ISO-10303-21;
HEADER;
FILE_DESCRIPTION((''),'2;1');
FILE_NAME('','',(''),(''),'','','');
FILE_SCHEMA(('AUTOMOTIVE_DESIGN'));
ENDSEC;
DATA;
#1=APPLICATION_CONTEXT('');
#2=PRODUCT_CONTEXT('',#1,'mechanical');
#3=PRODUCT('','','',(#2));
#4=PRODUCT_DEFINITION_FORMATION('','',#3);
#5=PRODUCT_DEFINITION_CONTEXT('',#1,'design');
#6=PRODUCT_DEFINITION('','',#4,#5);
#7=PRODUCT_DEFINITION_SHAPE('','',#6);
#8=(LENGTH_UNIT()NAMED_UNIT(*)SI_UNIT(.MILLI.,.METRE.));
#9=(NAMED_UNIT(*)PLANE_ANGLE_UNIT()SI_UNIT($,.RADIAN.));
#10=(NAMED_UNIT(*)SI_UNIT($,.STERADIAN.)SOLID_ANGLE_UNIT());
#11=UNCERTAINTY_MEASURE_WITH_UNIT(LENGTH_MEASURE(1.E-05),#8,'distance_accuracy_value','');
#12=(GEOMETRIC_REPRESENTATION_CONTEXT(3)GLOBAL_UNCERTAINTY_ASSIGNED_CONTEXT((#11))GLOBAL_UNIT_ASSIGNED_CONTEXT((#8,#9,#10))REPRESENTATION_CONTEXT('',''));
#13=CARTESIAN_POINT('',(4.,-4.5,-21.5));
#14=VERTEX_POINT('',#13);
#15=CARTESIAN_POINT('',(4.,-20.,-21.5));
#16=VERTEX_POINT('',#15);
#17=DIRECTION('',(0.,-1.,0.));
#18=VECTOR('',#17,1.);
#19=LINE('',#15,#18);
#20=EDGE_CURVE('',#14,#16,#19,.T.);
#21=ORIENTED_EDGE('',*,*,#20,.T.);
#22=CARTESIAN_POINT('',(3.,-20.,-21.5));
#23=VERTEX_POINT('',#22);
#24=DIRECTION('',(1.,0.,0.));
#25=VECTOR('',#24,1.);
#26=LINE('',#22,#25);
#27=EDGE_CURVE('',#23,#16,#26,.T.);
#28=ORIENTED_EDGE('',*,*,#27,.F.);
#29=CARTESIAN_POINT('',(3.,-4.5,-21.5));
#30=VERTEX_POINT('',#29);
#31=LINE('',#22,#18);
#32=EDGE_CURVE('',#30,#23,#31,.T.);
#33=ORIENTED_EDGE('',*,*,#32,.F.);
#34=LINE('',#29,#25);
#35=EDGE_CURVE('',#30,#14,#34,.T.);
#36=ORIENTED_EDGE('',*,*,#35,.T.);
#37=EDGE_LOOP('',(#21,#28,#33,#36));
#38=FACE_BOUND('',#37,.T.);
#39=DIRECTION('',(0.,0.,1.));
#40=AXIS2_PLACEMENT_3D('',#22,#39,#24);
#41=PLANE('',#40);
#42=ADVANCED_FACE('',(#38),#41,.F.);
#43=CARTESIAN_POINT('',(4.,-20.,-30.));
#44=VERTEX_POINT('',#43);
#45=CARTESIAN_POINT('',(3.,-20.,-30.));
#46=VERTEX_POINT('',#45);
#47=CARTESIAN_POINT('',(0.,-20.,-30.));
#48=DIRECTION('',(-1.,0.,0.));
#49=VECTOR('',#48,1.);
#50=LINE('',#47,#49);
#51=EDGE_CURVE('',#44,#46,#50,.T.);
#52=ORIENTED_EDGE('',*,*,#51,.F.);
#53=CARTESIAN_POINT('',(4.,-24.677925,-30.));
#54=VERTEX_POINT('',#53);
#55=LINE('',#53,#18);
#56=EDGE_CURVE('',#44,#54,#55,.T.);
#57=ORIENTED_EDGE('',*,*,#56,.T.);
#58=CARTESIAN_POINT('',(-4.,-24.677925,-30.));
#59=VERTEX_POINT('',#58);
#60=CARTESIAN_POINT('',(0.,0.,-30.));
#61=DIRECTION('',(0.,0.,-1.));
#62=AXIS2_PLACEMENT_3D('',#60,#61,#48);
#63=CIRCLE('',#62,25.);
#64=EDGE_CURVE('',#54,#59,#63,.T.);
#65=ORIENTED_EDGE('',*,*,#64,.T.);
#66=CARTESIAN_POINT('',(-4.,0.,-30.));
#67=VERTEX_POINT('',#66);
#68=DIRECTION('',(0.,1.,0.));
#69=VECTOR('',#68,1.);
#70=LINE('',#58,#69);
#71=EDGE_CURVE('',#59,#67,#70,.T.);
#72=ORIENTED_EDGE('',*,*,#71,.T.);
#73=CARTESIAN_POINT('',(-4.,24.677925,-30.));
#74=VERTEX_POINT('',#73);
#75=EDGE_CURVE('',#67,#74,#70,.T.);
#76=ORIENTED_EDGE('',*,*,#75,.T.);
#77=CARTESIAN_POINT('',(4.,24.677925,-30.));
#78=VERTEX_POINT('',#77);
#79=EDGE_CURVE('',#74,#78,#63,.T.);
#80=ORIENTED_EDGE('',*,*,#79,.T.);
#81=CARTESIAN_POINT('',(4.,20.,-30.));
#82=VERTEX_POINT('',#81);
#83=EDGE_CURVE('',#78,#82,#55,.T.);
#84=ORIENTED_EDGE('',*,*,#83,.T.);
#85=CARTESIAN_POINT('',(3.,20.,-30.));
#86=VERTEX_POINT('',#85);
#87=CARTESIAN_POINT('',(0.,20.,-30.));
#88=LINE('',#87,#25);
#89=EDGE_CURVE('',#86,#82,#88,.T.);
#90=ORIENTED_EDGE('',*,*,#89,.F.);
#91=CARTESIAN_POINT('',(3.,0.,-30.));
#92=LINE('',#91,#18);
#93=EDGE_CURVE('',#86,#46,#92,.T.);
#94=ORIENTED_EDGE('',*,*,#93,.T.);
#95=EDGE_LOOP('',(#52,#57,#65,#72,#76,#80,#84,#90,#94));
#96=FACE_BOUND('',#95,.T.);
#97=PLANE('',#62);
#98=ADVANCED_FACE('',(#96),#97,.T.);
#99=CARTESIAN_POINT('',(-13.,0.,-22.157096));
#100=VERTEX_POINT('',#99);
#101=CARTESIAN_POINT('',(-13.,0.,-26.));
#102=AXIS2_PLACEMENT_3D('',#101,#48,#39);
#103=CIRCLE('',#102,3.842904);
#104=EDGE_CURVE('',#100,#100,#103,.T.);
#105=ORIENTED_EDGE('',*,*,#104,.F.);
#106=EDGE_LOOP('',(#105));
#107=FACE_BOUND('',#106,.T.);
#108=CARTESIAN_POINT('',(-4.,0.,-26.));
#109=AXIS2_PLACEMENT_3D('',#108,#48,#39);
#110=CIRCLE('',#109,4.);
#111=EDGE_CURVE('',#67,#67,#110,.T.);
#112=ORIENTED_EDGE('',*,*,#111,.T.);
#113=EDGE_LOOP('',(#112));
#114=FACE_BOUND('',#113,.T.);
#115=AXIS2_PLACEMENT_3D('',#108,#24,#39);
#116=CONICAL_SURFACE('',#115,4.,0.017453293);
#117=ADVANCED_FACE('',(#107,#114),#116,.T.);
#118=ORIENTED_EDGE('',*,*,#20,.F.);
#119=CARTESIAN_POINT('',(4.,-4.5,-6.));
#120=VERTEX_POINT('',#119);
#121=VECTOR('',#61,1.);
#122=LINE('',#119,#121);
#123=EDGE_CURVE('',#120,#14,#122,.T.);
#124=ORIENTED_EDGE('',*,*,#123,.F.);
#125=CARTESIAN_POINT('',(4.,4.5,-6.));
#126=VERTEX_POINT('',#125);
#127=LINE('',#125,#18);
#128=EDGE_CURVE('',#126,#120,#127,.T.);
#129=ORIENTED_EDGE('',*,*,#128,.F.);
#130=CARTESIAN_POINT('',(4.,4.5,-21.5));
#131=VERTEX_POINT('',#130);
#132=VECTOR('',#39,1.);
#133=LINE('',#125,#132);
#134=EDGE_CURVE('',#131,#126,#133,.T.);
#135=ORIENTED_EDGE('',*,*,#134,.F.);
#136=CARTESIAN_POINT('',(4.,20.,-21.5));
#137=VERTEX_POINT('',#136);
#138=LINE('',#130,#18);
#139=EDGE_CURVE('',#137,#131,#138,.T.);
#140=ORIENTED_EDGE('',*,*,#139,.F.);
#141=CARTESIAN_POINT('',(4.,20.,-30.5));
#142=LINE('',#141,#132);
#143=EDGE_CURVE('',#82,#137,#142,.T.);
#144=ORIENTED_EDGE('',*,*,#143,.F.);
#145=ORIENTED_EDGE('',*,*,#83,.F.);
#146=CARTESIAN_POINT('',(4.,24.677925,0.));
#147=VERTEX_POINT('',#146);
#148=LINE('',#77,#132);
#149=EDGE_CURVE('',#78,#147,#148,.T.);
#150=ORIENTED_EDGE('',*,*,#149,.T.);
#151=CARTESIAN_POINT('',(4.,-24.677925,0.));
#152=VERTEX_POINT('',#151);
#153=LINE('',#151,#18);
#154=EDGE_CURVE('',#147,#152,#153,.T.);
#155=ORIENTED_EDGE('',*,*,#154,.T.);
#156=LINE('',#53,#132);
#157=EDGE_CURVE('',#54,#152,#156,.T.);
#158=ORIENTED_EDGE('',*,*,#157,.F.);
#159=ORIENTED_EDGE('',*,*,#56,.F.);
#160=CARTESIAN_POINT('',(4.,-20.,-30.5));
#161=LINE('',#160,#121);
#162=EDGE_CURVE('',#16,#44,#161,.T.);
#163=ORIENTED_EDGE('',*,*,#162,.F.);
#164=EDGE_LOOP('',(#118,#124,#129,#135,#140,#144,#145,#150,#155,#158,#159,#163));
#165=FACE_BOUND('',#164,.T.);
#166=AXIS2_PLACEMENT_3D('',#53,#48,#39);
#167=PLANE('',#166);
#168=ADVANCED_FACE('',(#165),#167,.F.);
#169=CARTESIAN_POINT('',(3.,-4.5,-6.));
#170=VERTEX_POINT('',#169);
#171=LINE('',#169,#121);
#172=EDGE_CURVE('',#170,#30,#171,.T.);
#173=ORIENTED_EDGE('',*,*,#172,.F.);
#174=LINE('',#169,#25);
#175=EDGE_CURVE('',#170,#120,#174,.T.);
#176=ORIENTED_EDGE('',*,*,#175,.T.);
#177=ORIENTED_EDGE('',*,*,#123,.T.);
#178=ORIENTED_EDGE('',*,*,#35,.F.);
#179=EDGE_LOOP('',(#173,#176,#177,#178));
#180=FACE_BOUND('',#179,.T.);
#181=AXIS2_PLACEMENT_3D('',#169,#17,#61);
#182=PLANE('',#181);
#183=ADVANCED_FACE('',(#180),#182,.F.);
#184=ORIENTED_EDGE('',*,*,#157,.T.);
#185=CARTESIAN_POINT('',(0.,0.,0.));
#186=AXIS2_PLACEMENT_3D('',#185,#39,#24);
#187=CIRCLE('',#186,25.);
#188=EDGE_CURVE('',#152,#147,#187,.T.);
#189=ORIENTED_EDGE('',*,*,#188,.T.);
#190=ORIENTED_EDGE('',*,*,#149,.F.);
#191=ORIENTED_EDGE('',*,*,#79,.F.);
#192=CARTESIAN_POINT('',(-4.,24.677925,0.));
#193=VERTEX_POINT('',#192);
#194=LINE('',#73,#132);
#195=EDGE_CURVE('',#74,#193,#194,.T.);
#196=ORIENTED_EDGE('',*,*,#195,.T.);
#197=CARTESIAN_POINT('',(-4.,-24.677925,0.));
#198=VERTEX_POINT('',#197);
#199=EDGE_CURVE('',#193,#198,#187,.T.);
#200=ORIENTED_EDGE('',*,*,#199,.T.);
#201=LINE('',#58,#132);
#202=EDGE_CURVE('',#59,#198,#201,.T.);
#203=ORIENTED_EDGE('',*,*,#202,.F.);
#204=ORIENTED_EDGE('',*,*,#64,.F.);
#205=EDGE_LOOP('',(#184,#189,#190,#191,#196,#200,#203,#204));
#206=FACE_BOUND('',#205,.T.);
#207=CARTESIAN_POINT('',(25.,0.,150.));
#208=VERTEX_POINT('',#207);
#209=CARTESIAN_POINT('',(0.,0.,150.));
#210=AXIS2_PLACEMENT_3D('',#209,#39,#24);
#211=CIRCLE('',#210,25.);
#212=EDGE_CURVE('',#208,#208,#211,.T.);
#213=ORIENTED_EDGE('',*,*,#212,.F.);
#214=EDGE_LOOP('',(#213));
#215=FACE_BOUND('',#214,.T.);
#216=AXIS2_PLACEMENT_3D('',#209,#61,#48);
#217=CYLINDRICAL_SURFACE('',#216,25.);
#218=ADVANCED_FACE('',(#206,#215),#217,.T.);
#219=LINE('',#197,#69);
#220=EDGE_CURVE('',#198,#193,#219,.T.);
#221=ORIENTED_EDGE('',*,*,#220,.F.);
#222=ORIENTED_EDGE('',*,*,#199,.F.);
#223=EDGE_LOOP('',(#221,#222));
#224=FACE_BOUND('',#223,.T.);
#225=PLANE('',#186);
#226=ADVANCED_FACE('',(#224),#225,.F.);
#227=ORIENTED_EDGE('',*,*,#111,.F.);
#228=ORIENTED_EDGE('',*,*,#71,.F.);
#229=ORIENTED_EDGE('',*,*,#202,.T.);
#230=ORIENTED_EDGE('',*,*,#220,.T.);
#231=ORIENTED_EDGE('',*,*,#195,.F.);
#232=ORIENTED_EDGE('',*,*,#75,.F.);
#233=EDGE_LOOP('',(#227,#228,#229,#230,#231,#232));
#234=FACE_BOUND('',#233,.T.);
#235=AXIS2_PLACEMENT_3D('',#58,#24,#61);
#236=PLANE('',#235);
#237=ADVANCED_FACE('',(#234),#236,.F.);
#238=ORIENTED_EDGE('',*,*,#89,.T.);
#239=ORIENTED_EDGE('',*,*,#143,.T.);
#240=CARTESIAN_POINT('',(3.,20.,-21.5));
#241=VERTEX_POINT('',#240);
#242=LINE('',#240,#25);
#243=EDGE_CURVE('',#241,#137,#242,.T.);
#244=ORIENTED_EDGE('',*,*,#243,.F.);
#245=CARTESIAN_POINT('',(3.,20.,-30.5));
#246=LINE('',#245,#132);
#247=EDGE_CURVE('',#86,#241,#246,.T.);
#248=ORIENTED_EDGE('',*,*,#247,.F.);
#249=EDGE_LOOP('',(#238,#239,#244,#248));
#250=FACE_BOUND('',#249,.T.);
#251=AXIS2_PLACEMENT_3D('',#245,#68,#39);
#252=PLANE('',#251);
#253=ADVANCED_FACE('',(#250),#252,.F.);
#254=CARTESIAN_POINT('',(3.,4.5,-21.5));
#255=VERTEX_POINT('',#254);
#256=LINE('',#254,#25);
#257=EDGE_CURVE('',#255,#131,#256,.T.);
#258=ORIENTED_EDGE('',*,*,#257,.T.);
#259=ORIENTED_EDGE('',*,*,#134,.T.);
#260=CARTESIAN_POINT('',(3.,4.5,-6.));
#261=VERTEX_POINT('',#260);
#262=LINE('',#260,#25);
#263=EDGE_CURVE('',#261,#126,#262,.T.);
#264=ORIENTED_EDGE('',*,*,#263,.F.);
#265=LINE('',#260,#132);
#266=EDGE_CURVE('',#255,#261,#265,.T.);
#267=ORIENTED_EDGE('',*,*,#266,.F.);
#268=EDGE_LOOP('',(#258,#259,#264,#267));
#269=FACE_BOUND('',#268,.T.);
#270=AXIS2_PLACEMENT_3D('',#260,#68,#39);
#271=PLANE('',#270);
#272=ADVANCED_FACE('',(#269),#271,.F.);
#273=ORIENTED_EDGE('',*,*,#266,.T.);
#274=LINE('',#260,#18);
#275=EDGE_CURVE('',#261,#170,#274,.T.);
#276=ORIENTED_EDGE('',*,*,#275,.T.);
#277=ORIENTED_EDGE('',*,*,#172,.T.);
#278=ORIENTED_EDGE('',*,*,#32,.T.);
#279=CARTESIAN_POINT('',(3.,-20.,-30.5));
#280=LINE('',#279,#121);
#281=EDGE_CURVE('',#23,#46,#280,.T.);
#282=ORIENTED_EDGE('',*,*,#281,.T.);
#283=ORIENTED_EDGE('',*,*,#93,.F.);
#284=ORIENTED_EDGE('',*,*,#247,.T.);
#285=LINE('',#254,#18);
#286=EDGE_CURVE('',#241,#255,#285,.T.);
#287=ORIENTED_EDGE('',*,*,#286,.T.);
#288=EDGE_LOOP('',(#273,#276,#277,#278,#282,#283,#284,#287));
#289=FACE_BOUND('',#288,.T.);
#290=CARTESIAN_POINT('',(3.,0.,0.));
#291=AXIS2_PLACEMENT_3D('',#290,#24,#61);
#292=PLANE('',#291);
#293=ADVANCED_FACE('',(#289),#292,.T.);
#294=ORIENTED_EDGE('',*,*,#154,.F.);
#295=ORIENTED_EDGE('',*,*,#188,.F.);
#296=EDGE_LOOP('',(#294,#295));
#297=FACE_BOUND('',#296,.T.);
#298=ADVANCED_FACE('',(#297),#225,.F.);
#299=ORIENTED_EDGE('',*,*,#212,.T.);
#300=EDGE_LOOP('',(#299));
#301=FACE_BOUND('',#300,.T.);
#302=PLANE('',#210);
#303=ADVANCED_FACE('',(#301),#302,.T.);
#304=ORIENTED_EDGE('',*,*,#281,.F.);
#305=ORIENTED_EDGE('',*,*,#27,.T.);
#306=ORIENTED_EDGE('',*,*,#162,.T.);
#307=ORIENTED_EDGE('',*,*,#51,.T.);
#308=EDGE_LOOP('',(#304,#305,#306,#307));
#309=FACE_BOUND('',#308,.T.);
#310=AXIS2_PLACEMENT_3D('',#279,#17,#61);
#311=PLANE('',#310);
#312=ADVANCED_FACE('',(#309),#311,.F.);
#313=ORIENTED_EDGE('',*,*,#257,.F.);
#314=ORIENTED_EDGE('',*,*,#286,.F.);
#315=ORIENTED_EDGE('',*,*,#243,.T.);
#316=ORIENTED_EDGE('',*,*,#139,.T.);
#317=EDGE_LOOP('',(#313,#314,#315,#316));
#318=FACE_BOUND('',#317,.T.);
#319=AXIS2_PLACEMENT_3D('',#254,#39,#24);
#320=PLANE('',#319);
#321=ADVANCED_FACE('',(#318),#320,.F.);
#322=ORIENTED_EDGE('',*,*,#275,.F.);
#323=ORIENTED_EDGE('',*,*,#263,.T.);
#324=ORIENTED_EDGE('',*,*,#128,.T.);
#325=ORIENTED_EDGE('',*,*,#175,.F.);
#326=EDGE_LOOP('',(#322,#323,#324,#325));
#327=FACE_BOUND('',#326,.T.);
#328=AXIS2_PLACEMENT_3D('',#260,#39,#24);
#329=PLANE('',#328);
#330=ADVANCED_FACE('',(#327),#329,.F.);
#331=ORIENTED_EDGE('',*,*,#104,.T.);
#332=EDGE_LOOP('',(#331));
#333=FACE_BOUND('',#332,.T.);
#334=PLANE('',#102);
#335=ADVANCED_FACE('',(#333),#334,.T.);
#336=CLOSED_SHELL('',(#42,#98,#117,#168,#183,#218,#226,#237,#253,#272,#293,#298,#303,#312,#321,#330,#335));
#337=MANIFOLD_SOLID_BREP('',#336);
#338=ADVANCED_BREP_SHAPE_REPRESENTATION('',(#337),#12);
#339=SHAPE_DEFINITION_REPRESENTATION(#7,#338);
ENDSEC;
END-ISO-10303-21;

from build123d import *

# Parameters (mm, degrees)
ESQUISSE1_R             = 25
BOSS_EXTRU_1_DEPTH      = 150
BOSS_EXTRU_2_START      = 30
BOSS_EXTRU_2_DEPTH      = 30
ESQUISSE3_R             = 4
BOSS_EXTRU_3_DEPTH      = 9
BOSS_EXTRU_3_TAPER      = 1
ENL_V_MAT_EXTRU_1_DEPTH = 1


with BuildPart() as part:
    # Esquisse1 → Boss.-Extru.1 (new body)
    with BuildSketch(Plane.XY):
        Circle(ESQUISSE1_R)
    extrude(amount=BOSS_EXTRU_1_DEPTH)

    # Esquisse2 → Boss.-Extru.2 (add)
    with BuildSketch(Plane(origin=(0, 0, 0), x_dir=(-1, 0, 0), z_dir=(0, 0, -1)).offset(BOSS_EXTRU_2_START)):
        with BuildLine():
            Line((-4, -24.677925359), (-4, 24.677925359))
            ThreePointArc((-4, 24.677925359), (0, 25), (4, 24.677925359))
            Line((4, 24.677925359), (4, -24.677925359))
            ThreePointArc((4, -24.677925359), (0, -25), (-4, -24.677925359))
        make_face()
    extrude(amount=-BOSS_EXTRU_2_DEPTH)

    # Esquisse3 → Boss.-Extru.3 (add)
    with BuildSketch(Plane.ZY.offset(4)):
        with Locations((-26, 0)):
            Circle(ESQUISSE3_R)
    extrude(amount=BOSS_EXTRU_3_DEPTH, taper=BOSS_EXTRU_3_TAPER)

    # Esquisse4 → Enlèv. mat.-Extru.1 (cut)
    with BuildSketch(Plane(origin=(4, 0, 0), x_dir=(0, 0, -1), z_dir=(1, 0, 0))):
        Polygon((21.5, 4.5), (21.5, 20), (30.5, 20), (30.5, 4.5), (30, 4.5), (30, -4.5), (30.5, -4.5), (30.5, -20), (21.5, -20), (21.5, -4.5), (6, -4.5), (6, 4.5), align=None)
    extrude(amount=-ENL_V_MAT_EXTRU_1_DEPTH, mode=Mode.SUBTRACT)


solid = part.part
